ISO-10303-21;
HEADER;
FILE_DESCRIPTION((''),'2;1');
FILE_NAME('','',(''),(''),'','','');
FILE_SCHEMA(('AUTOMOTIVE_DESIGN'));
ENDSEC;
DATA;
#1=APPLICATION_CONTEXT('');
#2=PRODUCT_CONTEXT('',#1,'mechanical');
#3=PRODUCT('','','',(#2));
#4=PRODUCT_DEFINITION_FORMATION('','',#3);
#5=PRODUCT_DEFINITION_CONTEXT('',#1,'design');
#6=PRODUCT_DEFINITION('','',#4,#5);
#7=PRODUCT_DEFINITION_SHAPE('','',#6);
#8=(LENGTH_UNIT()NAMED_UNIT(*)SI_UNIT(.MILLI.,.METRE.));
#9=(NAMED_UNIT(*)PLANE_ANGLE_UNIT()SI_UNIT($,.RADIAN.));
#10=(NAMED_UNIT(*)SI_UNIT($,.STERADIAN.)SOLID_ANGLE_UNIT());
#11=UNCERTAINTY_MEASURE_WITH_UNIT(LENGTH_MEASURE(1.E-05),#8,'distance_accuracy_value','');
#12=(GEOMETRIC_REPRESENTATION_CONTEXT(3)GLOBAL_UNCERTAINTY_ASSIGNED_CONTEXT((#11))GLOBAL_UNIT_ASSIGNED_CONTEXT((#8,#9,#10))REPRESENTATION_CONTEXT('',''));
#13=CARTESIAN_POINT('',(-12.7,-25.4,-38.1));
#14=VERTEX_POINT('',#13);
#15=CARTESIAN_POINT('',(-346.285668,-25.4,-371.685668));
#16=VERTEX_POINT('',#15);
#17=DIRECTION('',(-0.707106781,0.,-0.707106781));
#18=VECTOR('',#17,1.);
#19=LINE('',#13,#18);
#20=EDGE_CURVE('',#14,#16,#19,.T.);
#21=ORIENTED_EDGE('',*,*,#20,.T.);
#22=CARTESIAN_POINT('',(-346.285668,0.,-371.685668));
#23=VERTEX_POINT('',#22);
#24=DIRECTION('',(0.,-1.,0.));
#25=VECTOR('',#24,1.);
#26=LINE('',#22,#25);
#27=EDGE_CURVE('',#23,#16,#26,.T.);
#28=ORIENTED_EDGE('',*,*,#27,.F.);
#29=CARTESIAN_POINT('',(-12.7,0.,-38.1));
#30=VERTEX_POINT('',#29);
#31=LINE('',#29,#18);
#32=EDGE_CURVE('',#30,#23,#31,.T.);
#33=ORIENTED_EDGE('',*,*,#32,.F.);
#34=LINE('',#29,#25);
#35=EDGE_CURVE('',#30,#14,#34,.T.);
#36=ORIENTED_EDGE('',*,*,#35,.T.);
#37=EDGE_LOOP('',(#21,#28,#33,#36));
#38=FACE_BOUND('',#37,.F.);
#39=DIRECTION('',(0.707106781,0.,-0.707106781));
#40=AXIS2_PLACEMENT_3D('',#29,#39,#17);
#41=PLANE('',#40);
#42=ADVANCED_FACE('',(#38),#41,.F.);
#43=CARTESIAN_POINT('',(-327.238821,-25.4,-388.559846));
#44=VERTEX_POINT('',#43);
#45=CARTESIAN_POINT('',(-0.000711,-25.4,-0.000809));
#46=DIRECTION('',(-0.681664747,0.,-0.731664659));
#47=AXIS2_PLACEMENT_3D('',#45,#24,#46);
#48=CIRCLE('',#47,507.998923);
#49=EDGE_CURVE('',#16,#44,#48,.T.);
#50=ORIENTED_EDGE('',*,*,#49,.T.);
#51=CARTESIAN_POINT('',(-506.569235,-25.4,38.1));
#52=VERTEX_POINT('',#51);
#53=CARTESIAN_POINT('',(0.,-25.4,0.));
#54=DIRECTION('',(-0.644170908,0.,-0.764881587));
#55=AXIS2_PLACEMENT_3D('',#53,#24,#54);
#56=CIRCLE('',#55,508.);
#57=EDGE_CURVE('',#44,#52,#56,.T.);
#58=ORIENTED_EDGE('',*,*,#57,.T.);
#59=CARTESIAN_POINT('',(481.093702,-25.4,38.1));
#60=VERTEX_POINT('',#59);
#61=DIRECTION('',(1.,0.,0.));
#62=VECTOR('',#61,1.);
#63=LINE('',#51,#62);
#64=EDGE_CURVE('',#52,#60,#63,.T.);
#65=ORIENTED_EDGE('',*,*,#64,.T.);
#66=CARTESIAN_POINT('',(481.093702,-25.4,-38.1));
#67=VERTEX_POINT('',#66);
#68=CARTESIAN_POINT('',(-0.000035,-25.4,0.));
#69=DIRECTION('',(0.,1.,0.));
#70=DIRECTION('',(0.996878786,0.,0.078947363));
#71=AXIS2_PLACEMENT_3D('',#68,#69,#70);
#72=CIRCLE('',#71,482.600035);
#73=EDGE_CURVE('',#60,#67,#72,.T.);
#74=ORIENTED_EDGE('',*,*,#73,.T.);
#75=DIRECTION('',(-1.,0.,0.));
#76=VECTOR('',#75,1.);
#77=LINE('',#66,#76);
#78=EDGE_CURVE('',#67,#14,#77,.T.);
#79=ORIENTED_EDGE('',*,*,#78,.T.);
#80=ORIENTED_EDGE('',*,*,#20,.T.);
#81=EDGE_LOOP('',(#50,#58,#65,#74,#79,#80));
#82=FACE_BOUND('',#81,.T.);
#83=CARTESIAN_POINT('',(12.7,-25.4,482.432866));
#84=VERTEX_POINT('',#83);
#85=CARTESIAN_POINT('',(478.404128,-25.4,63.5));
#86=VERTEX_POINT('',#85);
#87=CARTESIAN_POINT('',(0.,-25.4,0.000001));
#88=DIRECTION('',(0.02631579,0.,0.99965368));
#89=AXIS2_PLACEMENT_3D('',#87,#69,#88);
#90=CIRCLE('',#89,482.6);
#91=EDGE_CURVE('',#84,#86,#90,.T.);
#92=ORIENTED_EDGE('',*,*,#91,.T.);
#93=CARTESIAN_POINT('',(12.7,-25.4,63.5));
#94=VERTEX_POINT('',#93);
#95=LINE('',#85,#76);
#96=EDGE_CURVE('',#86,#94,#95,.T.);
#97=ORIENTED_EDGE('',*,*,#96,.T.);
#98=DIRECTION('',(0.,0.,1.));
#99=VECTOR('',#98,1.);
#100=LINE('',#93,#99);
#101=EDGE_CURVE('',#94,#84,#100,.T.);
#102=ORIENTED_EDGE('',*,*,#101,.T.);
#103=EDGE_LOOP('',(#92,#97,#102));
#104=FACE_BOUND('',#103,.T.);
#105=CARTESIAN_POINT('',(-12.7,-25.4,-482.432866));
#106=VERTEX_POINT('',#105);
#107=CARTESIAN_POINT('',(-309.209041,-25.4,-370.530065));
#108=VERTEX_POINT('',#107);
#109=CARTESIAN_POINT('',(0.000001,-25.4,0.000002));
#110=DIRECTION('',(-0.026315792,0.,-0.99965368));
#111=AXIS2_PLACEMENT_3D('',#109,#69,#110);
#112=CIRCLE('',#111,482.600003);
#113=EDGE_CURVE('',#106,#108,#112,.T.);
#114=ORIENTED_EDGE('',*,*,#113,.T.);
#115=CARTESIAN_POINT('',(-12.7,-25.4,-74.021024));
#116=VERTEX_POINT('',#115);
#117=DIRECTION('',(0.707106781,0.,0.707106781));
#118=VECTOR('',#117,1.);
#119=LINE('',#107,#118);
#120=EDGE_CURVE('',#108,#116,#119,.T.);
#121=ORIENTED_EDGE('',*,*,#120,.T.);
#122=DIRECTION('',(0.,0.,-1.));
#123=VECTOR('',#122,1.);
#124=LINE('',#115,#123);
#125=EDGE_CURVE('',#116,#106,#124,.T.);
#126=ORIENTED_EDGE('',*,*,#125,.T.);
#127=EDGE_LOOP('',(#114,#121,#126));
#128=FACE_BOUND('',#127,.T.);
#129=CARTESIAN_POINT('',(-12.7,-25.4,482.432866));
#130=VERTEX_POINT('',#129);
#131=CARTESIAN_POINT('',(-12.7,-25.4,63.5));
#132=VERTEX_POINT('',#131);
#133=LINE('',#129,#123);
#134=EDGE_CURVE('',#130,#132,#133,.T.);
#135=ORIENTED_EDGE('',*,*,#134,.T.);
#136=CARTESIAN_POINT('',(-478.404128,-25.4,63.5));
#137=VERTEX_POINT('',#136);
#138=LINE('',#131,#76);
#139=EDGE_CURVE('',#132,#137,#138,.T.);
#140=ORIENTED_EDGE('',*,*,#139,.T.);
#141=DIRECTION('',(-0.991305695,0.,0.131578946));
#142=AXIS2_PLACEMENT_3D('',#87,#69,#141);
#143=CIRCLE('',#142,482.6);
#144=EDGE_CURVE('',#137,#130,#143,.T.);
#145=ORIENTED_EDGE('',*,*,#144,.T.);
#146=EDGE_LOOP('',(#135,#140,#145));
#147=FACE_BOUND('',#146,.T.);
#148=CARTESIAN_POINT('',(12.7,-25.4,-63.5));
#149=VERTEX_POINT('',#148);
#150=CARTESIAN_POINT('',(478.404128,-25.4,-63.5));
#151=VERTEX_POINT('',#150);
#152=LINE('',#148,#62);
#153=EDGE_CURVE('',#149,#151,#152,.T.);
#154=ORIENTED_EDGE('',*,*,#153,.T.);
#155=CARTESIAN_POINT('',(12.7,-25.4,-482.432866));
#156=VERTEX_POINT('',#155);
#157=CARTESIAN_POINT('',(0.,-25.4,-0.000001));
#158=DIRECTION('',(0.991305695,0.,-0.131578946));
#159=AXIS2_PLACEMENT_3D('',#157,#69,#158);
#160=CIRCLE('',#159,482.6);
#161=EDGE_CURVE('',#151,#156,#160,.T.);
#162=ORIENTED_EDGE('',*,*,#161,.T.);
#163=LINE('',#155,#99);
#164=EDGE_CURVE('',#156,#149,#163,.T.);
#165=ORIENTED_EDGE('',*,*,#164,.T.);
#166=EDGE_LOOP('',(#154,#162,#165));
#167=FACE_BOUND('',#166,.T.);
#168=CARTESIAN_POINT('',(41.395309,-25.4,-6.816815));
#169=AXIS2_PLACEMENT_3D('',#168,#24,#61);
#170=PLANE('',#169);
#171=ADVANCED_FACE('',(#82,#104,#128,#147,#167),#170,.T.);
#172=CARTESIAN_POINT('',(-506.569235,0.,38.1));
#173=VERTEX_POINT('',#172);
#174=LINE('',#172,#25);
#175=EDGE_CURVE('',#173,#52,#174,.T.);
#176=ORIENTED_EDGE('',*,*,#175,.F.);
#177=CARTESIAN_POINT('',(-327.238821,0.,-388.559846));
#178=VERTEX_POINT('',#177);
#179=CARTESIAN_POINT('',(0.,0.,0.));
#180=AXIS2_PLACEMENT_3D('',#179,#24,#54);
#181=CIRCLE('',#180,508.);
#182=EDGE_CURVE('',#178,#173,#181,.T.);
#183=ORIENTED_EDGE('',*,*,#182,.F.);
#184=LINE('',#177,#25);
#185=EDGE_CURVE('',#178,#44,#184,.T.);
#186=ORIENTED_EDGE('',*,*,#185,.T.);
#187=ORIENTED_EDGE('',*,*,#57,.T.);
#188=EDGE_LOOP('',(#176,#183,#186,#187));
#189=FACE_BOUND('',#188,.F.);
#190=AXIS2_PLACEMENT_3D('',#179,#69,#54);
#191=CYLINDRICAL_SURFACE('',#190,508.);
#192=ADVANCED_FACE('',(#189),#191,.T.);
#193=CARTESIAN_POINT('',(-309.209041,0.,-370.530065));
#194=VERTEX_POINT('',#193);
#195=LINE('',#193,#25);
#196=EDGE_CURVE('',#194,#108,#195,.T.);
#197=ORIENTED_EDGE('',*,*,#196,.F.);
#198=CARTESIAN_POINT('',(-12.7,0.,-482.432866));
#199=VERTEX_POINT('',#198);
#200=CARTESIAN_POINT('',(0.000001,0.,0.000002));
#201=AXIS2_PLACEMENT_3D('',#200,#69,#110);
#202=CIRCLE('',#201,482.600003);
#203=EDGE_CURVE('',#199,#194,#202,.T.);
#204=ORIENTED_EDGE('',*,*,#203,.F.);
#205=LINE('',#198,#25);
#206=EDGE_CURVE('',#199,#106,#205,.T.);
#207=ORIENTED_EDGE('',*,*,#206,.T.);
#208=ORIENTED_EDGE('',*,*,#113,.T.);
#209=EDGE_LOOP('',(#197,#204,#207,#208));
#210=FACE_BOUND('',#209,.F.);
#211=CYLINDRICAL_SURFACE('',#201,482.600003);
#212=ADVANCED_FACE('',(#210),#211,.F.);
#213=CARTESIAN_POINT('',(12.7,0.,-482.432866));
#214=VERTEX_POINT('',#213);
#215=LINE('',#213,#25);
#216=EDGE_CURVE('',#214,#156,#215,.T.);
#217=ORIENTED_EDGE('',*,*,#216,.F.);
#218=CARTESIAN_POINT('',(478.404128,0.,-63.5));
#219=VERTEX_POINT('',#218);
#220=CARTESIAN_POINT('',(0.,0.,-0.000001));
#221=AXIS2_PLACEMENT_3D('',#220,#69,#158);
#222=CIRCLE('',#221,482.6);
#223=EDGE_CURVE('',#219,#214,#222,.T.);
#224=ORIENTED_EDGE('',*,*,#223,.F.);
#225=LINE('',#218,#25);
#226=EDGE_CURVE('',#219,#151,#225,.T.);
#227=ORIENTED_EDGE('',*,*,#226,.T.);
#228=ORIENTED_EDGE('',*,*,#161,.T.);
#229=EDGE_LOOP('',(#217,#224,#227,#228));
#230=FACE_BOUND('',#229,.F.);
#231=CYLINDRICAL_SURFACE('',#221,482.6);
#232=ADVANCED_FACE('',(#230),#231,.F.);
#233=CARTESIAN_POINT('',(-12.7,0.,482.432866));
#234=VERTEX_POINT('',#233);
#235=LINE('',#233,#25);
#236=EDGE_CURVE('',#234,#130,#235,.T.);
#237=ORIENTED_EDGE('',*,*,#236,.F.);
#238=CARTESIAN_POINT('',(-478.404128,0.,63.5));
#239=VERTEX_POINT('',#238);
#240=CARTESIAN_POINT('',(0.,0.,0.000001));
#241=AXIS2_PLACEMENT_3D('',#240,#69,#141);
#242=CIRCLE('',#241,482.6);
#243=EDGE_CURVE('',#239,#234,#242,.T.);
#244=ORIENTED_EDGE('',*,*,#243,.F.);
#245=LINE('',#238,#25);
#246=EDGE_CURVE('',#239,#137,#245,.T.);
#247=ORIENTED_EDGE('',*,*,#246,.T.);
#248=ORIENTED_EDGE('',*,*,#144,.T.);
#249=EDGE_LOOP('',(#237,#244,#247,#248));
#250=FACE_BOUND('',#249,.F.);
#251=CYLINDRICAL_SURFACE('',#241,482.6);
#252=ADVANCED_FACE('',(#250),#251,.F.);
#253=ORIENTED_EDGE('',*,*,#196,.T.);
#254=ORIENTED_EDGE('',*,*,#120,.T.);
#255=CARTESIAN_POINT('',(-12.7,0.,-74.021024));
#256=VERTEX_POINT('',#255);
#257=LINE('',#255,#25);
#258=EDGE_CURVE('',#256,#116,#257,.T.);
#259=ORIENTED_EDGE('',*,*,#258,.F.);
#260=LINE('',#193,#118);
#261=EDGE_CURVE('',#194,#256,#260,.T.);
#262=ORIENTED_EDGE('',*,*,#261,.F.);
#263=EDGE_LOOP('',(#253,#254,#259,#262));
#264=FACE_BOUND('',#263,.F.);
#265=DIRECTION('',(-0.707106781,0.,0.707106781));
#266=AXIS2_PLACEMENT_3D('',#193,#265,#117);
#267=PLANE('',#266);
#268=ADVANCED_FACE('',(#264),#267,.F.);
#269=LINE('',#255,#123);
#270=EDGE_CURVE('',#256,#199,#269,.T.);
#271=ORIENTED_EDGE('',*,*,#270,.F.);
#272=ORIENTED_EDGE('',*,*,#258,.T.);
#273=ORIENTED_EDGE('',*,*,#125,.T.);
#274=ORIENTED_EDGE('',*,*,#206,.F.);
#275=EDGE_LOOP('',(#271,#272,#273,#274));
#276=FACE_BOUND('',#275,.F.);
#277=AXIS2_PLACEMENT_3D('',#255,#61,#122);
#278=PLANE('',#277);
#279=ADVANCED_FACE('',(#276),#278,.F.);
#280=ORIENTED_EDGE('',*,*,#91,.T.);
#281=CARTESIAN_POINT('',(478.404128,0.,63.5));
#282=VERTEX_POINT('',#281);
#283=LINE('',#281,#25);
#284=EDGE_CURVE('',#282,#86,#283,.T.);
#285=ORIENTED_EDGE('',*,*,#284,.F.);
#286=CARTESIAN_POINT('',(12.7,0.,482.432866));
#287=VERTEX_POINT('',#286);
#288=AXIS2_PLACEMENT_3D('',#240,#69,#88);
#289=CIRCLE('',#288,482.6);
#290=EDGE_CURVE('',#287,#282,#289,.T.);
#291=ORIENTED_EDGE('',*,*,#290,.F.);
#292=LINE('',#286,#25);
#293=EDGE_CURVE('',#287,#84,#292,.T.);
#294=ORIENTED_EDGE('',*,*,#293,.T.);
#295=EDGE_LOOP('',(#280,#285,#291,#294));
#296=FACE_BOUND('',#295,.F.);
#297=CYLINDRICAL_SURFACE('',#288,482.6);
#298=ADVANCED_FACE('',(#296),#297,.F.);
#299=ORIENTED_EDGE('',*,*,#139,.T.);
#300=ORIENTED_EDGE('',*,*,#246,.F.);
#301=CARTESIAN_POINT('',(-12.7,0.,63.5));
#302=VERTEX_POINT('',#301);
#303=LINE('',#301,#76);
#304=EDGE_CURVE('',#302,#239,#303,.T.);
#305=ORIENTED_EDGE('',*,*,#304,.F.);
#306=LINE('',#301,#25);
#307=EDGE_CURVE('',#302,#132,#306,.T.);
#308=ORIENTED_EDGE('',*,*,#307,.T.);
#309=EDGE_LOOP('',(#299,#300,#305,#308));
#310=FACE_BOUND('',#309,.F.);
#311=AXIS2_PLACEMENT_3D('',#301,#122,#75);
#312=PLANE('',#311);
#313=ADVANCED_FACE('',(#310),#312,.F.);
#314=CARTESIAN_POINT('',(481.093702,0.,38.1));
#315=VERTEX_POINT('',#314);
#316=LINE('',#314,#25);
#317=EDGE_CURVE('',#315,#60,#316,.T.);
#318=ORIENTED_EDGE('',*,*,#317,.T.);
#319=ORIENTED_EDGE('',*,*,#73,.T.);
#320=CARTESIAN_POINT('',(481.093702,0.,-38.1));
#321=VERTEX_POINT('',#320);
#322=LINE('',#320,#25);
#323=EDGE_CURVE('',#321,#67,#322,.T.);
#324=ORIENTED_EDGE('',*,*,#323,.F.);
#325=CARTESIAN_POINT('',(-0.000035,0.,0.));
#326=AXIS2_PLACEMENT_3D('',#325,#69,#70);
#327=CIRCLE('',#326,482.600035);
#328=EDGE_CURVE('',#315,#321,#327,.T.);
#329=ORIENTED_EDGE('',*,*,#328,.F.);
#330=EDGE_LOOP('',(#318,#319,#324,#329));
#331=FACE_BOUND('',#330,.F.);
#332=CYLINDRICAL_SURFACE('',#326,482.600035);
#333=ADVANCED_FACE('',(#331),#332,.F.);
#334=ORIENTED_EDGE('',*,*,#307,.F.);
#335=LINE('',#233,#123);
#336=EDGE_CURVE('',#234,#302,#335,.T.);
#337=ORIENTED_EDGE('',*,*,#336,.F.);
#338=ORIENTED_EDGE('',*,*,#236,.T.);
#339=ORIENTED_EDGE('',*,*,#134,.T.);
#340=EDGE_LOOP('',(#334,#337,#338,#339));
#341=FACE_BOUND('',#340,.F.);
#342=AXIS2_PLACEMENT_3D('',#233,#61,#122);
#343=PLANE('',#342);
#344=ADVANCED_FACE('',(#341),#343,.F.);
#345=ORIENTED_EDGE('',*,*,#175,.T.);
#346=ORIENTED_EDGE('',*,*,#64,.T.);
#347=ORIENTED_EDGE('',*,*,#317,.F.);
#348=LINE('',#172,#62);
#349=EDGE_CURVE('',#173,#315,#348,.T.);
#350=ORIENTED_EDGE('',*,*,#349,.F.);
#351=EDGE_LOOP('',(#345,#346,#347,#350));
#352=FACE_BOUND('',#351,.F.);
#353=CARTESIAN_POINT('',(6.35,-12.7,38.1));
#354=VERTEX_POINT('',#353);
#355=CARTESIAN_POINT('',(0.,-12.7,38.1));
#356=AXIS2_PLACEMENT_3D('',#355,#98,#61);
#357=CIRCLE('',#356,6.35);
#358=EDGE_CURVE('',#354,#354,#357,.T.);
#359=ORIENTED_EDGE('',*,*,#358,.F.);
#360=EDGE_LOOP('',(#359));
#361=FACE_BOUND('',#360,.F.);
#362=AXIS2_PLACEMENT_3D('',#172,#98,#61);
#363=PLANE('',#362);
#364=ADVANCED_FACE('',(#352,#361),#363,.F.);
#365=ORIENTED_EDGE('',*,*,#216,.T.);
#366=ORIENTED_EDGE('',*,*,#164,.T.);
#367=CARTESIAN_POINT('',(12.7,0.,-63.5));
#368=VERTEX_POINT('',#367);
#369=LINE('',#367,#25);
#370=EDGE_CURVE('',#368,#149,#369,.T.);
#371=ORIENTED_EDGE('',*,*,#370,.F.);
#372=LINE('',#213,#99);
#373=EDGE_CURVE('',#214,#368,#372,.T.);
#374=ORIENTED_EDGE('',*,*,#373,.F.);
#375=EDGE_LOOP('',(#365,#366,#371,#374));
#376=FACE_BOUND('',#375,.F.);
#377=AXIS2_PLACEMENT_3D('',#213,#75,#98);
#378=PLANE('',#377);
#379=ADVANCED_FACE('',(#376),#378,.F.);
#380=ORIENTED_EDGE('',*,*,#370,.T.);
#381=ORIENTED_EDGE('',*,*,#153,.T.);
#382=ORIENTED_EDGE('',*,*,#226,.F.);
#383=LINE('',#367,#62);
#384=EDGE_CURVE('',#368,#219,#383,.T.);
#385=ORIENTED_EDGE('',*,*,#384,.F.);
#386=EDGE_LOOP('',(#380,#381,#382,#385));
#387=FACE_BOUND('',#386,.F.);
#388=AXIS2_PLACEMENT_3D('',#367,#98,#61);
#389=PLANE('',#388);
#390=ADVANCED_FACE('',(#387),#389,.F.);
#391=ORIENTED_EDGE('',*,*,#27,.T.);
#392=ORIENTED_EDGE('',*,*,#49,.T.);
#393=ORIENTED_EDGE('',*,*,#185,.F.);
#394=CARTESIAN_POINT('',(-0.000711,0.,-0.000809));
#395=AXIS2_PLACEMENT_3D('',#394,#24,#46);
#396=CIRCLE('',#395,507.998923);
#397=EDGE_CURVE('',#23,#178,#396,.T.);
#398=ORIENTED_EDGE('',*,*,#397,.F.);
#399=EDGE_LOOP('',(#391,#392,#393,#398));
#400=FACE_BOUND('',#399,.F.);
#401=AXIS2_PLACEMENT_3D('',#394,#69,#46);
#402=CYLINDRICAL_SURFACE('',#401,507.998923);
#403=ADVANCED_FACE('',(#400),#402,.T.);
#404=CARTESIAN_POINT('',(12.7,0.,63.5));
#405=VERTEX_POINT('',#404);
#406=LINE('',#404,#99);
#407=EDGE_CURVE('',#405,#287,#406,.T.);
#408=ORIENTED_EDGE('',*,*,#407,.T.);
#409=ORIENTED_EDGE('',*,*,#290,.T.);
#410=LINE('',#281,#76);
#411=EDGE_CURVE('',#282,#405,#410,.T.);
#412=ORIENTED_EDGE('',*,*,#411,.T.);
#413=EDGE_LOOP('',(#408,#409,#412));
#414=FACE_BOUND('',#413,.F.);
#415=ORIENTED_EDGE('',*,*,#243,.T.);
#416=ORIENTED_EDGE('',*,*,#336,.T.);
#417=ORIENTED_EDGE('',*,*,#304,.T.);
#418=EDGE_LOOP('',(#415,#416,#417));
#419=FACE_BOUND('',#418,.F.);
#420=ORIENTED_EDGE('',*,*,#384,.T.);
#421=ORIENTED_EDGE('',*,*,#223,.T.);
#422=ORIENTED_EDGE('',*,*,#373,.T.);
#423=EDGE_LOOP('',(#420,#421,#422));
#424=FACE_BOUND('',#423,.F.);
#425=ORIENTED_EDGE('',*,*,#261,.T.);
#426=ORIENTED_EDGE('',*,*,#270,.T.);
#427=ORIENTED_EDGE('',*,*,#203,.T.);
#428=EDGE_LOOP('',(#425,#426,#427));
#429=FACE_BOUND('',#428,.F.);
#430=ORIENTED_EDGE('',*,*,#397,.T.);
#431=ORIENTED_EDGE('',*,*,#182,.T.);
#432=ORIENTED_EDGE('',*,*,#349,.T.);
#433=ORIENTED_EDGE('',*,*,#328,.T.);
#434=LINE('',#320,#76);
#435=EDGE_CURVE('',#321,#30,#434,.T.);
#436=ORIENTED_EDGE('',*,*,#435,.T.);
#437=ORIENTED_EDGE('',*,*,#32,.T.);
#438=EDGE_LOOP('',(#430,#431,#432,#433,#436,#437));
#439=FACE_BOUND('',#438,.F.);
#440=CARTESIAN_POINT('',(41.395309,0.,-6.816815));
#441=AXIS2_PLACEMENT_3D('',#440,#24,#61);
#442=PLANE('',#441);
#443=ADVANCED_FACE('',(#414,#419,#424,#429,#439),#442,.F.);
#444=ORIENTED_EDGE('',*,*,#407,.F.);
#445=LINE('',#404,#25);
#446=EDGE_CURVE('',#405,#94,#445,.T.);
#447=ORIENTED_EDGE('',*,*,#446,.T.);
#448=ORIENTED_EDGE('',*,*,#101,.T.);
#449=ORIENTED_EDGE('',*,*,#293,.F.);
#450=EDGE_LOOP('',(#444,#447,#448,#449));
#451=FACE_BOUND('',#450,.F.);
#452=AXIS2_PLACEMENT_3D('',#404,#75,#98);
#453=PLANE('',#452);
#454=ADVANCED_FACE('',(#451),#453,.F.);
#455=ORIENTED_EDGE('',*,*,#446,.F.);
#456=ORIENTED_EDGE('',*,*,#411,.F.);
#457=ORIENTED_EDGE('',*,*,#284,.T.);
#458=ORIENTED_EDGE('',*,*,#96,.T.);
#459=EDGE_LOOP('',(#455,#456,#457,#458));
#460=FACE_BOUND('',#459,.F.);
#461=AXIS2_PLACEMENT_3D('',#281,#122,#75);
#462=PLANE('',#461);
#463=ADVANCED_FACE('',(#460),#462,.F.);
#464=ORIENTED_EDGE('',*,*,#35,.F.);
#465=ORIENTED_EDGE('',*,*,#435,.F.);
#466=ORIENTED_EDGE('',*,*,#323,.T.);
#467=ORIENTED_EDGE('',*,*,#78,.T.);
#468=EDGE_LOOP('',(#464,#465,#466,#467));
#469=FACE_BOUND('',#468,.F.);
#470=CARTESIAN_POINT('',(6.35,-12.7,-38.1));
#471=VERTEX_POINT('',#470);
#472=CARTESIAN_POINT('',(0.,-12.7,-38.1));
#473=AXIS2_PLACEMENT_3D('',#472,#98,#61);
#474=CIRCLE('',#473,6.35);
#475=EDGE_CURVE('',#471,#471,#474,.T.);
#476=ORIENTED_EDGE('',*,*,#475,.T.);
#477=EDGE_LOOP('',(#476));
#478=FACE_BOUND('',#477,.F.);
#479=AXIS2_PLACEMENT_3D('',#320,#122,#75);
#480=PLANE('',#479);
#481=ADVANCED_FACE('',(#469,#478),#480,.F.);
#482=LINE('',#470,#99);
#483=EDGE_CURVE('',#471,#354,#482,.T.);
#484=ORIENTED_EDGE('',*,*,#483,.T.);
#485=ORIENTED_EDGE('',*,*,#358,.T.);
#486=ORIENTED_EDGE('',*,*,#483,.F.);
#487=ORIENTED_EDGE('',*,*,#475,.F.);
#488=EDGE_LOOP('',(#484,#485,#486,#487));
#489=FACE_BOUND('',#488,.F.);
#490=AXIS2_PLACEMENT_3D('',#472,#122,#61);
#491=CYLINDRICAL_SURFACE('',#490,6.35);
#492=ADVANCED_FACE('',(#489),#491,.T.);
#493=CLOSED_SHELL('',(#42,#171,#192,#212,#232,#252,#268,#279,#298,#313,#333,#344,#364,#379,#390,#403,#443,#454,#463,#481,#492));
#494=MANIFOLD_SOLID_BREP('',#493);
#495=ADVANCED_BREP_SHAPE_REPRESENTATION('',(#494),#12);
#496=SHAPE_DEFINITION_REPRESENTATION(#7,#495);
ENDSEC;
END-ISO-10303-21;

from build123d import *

# Parameters (mm, degrees)
F1_DEPTH = 25.4
F2_R     = 6.35
F3_DEPTH = 76.2


with BuildPart() as f1:
    # F0 (on Front) → F1 (new body)
    with BuildSketch(Plane.XZ):
        with BuildLine():
            Line((-12.7, -38.1), (-346.285668, -371.685668))
            ThreePointArc((-346.285668, -371.685668), (-336.867918, -380.242036), (-327.238821, -388.559846))
            ThreePointArc((-327.238821, -388.559846), (468.314664, 196.83845), (-506.569235, 38.1))
            Line((-506.569235, 38.1), (-12.7, 38.1))
            Line((-12.7, 38.1), (481.093702, 38.1))
            ThreePointArc((481.093702, 38.1), (482.6, 0), (481.093702, -38.1))
            Line((481.093702, -38.1), (-12.7, -38.1))
        make_face()
        with BuildLine():
            Line((-309.209041, -370.530065), (-12.7, -74.021024))
            Line((-12.7, -74.021024), (-12.7, -482.432866))
            ThreePointArc((-12.7, -482.432866), (-170.402221, -451.515053), (-309.209041, -370.530065))
        make_face(mode=Mode.SUBTRACT)
        with BuildLine():
            ThreePointArc((478.404128, -63.5), (322.756879, -358.790687), (12.7, -482.432866))
            Line((12.7, -482.432866), (12.7, -63.5))
            Line((12.7, -63.5), (478.404128, -63.5))
        make_face(mode=Mode.SUBTRACT)
        with BuildLine():
            ThreePointArc((-478.404128, 63.5), (-322.756879, 358.790687), (-12.7, 482.432866))
            Line((-12.7, 482.432866), (-12.7, 63.5))
            Line((-12.7, 63.5), (-478.404128, 63.5))
        make_face(mode=Mode.SUBTRACT)
        with BuildLine():
            Line((12.7, 63.5), (12.7, 482.432866))
            ThreePointArc((12.7, 482.432866), (322.756879, 358.790687), (478.404128, 63.5))
            Line((478.404128, 63.5), (12.7, 63.5))
        make_face(mode=Mode.SUBTRACT)
    extrude(amount=F1_DEPTH)

    # F2 (on face) → F3 (join, through all)
    with BuildSketch(Plane.XY.offset(-38.1)):
        with Locations((0, -12.7)):
            Circle(F2_R)
    extrude(amount=F3_DEPTH)


solid = f1.part
